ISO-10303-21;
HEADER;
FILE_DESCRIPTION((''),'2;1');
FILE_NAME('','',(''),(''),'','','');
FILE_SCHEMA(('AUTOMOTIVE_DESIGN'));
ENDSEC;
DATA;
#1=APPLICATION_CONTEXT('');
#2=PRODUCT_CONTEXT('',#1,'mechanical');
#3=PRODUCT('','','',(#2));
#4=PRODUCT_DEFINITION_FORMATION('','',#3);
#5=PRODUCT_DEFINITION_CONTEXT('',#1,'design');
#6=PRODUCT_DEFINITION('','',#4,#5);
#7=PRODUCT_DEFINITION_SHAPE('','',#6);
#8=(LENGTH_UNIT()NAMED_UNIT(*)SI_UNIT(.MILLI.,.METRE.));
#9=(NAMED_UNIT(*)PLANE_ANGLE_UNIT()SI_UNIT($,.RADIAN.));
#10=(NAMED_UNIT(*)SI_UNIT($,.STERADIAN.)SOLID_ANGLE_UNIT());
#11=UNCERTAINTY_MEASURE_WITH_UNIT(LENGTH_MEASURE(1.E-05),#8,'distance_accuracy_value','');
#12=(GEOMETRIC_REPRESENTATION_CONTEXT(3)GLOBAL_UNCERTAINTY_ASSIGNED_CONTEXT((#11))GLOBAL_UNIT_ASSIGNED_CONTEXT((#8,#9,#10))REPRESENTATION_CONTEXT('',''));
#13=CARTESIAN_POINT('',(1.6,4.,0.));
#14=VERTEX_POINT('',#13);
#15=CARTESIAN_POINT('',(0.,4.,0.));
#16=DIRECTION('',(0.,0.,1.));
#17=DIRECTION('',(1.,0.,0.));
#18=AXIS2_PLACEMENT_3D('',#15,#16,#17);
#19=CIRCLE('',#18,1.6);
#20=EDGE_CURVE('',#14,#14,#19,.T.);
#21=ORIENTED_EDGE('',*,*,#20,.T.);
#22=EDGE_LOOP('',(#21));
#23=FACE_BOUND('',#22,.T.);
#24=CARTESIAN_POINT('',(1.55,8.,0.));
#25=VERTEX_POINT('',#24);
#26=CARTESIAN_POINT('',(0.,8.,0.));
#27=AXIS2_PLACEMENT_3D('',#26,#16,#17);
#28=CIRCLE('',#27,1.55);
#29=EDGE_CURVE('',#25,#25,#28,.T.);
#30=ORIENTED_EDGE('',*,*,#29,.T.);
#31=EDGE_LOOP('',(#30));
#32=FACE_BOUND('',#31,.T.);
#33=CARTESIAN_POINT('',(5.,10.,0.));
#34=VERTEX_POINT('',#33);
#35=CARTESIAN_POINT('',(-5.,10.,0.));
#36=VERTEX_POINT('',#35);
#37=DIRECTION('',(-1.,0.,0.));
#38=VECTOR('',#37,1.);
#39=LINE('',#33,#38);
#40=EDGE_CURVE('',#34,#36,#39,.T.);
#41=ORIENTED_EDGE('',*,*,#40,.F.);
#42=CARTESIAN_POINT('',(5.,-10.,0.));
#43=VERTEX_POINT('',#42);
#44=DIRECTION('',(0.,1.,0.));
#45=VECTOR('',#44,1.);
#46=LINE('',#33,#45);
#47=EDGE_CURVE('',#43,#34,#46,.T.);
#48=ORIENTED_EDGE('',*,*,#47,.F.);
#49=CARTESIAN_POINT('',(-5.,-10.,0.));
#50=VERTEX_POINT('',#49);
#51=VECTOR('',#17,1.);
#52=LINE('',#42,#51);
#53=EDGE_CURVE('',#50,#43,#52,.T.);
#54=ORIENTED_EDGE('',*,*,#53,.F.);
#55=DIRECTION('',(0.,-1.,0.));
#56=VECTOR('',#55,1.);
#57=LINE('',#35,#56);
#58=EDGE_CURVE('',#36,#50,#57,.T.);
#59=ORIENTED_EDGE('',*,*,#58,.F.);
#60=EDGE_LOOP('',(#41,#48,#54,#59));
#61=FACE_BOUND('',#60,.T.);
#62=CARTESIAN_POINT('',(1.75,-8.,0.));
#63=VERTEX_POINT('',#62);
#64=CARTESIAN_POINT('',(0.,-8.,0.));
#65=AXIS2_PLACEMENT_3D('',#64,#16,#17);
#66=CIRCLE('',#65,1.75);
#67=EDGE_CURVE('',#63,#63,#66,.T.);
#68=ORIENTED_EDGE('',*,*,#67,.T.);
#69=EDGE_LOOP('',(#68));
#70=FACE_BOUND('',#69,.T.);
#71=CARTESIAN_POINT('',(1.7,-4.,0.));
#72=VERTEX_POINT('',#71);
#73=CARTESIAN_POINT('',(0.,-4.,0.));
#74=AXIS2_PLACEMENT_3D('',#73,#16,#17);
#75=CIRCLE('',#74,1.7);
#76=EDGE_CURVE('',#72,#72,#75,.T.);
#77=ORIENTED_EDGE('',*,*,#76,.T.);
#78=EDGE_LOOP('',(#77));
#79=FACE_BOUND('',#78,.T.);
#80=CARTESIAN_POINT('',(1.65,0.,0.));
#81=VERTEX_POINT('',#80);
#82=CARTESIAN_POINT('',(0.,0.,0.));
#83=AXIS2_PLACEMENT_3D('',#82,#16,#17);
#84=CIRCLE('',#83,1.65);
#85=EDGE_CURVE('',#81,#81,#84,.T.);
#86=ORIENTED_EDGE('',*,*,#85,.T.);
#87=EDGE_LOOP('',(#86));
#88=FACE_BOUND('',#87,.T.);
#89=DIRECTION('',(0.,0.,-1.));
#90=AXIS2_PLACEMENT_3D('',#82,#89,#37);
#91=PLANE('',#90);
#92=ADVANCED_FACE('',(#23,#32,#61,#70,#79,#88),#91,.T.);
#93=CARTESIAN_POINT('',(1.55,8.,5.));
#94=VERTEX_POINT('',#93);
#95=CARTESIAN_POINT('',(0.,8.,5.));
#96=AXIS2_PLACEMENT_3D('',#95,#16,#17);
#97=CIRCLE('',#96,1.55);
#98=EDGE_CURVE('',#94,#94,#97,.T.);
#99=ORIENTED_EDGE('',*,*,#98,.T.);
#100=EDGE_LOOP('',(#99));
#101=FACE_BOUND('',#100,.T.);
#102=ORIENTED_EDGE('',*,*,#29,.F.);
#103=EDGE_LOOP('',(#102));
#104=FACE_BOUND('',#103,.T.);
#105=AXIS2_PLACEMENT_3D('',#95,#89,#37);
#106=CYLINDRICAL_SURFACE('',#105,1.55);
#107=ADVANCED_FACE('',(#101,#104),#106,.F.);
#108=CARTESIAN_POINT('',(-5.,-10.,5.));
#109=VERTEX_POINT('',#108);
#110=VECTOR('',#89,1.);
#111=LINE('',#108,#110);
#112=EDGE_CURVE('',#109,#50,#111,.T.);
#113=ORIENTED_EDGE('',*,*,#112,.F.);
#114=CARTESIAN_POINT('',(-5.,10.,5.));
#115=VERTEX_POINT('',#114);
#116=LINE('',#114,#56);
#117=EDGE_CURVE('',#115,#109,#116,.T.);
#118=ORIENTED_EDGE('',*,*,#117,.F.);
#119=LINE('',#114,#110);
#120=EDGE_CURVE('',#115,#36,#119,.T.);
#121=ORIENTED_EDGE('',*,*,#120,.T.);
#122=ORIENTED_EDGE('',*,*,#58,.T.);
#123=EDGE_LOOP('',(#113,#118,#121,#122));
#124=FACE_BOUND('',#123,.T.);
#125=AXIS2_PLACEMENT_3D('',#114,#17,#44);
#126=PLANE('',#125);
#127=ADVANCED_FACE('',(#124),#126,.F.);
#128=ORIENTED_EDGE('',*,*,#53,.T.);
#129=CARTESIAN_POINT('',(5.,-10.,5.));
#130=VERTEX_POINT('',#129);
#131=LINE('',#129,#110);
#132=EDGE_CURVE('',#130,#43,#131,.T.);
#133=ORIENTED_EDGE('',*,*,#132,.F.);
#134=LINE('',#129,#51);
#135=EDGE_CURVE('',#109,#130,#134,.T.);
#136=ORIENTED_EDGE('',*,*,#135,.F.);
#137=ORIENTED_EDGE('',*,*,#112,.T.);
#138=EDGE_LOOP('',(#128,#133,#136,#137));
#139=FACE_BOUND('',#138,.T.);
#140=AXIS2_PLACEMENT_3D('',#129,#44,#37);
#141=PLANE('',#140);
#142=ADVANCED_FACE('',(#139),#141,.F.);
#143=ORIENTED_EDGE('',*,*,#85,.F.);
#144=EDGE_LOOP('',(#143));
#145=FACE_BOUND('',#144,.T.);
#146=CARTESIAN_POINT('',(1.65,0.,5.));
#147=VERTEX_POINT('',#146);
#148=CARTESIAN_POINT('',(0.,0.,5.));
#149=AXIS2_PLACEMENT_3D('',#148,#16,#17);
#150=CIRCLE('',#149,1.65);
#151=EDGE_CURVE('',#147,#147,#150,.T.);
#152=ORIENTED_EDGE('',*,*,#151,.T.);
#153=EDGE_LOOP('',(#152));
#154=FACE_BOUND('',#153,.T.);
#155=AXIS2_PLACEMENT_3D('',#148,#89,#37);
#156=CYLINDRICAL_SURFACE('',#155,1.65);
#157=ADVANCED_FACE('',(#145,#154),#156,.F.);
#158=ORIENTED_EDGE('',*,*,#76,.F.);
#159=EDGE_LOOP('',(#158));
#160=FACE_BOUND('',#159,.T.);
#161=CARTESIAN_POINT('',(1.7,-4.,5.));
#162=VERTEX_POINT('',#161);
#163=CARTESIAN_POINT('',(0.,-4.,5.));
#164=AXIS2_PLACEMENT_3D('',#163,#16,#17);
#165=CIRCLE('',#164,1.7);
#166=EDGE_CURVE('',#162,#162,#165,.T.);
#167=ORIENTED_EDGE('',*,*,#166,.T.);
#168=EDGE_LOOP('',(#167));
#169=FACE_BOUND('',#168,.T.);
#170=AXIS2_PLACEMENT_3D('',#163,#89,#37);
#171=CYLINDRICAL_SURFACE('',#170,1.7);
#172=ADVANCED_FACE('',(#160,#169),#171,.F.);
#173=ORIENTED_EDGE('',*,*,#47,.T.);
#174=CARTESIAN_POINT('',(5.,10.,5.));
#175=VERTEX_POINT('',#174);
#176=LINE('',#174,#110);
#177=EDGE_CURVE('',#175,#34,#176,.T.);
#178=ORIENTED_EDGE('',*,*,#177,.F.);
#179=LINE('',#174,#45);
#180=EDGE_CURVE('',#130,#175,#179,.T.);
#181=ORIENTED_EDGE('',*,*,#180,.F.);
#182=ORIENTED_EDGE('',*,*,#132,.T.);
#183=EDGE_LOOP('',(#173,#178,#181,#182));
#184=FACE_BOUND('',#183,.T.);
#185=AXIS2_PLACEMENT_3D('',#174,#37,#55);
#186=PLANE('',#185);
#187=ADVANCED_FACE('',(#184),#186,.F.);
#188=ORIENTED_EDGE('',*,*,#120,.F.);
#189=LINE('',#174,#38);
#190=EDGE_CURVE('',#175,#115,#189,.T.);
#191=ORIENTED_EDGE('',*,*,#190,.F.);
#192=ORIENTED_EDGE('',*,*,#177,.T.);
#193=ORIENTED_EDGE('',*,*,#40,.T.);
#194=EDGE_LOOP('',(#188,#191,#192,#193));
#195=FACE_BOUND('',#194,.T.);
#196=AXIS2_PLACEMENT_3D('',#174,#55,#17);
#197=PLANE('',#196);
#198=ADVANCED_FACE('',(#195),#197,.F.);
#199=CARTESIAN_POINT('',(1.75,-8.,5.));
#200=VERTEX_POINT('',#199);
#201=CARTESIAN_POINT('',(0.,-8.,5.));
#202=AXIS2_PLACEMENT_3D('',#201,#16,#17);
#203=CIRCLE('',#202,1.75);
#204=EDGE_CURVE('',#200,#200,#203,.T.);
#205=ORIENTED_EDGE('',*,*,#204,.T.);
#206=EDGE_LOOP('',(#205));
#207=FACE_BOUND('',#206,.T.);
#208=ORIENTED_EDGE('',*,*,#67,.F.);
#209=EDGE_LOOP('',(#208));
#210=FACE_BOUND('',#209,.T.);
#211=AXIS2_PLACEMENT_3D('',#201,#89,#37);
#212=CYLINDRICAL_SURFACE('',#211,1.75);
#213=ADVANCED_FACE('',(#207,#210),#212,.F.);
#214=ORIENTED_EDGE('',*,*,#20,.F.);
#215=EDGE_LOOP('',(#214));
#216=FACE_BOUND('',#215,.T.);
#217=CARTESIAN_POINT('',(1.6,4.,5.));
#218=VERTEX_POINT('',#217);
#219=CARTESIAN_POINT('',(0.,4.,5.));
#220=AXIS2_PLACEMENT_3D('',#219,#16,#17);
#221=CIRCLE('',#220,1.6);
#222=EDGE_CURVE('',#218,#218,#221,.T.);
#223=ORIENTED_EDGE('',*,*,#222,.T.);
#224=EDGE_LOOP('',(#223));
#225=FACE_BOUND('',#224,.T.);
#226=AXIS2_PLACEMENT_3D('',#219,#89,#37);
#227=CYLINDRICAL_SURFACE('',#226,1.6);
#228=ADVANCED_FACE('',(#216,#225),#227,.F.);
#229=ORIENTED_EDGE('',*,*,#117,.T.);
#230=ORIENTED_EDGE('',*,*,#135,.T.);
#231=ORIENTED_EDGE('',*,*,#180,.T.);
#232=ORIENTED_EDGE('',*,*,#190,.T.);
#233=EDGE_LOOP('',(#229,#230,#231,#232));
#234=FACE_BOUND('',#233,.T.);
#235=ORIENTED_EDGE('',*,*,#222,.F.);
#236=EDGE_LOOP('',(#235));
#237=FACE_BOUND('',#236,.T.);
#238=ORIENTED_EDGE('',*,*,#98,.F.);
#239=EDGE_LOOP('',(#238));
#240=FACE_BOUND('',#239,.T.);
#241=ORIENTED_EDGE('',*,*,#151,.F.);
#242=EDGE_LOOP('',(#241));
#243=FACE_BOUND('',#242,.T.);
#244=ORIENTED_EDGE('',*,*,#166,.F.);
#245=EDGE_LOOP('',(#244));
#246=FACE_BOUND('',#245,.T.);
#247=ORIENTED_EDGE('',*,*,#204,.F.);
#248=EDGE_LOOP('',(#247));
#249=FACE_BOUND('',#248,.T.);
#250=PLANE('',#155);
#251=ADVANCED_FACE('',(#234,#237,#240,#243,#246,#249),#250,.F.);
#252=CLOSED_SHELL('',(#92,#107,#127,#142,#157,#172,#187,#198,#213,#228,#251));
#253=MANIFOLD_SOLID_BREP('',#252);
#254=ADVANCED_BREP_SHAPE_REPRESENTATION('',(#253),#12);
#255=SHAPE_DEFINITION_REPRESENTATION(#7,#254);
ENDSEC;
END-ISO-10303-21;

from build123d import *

# Parameters (mm, degrees)
SKETCH_1_W      = 10
SKETCH_1_H      = 20
SKETCH_1_R      = 1.55
SKETCH_1_R_2    = 1.75
SKETCH_1_R_3    = 1.65
SKETCH_1_R_4    = 1.7
SKETCH_1_R_5    = 1.6
EXTRUDE_1_DEPTH = 5


with BuildPart() as part:
    # ｽｹｯﾁ1 → ﾎﾞｽ - 押し出し1 (new body)
    with BuildSketch(Plane.XY):
        Rectangle(SKETCH_1_W, SKETCH_1_H)
        with Locations((0, 8)):
            Circle(SKETCH_1_R, mode=Mode.SUBTRACT)
        with Locations((0, -8)):
            Circle(SKETCH_1_R_2, mode=Mode.SUBTRACT)
        Circle(SKETCH_1_R_3, mode=Mode.SUBTRACT)
        with Locations((0, -4)):
            Circle(SKETCH_1_R_4, mode=Mode.SUBTRACT)
        with Locations((0, 4)):
            Circle(SKETCH_1_R_5, mode=Mode.SUBTRACT)
    extrude(amount=EXTRUDE_1_DEPTH)


solid = part.part
